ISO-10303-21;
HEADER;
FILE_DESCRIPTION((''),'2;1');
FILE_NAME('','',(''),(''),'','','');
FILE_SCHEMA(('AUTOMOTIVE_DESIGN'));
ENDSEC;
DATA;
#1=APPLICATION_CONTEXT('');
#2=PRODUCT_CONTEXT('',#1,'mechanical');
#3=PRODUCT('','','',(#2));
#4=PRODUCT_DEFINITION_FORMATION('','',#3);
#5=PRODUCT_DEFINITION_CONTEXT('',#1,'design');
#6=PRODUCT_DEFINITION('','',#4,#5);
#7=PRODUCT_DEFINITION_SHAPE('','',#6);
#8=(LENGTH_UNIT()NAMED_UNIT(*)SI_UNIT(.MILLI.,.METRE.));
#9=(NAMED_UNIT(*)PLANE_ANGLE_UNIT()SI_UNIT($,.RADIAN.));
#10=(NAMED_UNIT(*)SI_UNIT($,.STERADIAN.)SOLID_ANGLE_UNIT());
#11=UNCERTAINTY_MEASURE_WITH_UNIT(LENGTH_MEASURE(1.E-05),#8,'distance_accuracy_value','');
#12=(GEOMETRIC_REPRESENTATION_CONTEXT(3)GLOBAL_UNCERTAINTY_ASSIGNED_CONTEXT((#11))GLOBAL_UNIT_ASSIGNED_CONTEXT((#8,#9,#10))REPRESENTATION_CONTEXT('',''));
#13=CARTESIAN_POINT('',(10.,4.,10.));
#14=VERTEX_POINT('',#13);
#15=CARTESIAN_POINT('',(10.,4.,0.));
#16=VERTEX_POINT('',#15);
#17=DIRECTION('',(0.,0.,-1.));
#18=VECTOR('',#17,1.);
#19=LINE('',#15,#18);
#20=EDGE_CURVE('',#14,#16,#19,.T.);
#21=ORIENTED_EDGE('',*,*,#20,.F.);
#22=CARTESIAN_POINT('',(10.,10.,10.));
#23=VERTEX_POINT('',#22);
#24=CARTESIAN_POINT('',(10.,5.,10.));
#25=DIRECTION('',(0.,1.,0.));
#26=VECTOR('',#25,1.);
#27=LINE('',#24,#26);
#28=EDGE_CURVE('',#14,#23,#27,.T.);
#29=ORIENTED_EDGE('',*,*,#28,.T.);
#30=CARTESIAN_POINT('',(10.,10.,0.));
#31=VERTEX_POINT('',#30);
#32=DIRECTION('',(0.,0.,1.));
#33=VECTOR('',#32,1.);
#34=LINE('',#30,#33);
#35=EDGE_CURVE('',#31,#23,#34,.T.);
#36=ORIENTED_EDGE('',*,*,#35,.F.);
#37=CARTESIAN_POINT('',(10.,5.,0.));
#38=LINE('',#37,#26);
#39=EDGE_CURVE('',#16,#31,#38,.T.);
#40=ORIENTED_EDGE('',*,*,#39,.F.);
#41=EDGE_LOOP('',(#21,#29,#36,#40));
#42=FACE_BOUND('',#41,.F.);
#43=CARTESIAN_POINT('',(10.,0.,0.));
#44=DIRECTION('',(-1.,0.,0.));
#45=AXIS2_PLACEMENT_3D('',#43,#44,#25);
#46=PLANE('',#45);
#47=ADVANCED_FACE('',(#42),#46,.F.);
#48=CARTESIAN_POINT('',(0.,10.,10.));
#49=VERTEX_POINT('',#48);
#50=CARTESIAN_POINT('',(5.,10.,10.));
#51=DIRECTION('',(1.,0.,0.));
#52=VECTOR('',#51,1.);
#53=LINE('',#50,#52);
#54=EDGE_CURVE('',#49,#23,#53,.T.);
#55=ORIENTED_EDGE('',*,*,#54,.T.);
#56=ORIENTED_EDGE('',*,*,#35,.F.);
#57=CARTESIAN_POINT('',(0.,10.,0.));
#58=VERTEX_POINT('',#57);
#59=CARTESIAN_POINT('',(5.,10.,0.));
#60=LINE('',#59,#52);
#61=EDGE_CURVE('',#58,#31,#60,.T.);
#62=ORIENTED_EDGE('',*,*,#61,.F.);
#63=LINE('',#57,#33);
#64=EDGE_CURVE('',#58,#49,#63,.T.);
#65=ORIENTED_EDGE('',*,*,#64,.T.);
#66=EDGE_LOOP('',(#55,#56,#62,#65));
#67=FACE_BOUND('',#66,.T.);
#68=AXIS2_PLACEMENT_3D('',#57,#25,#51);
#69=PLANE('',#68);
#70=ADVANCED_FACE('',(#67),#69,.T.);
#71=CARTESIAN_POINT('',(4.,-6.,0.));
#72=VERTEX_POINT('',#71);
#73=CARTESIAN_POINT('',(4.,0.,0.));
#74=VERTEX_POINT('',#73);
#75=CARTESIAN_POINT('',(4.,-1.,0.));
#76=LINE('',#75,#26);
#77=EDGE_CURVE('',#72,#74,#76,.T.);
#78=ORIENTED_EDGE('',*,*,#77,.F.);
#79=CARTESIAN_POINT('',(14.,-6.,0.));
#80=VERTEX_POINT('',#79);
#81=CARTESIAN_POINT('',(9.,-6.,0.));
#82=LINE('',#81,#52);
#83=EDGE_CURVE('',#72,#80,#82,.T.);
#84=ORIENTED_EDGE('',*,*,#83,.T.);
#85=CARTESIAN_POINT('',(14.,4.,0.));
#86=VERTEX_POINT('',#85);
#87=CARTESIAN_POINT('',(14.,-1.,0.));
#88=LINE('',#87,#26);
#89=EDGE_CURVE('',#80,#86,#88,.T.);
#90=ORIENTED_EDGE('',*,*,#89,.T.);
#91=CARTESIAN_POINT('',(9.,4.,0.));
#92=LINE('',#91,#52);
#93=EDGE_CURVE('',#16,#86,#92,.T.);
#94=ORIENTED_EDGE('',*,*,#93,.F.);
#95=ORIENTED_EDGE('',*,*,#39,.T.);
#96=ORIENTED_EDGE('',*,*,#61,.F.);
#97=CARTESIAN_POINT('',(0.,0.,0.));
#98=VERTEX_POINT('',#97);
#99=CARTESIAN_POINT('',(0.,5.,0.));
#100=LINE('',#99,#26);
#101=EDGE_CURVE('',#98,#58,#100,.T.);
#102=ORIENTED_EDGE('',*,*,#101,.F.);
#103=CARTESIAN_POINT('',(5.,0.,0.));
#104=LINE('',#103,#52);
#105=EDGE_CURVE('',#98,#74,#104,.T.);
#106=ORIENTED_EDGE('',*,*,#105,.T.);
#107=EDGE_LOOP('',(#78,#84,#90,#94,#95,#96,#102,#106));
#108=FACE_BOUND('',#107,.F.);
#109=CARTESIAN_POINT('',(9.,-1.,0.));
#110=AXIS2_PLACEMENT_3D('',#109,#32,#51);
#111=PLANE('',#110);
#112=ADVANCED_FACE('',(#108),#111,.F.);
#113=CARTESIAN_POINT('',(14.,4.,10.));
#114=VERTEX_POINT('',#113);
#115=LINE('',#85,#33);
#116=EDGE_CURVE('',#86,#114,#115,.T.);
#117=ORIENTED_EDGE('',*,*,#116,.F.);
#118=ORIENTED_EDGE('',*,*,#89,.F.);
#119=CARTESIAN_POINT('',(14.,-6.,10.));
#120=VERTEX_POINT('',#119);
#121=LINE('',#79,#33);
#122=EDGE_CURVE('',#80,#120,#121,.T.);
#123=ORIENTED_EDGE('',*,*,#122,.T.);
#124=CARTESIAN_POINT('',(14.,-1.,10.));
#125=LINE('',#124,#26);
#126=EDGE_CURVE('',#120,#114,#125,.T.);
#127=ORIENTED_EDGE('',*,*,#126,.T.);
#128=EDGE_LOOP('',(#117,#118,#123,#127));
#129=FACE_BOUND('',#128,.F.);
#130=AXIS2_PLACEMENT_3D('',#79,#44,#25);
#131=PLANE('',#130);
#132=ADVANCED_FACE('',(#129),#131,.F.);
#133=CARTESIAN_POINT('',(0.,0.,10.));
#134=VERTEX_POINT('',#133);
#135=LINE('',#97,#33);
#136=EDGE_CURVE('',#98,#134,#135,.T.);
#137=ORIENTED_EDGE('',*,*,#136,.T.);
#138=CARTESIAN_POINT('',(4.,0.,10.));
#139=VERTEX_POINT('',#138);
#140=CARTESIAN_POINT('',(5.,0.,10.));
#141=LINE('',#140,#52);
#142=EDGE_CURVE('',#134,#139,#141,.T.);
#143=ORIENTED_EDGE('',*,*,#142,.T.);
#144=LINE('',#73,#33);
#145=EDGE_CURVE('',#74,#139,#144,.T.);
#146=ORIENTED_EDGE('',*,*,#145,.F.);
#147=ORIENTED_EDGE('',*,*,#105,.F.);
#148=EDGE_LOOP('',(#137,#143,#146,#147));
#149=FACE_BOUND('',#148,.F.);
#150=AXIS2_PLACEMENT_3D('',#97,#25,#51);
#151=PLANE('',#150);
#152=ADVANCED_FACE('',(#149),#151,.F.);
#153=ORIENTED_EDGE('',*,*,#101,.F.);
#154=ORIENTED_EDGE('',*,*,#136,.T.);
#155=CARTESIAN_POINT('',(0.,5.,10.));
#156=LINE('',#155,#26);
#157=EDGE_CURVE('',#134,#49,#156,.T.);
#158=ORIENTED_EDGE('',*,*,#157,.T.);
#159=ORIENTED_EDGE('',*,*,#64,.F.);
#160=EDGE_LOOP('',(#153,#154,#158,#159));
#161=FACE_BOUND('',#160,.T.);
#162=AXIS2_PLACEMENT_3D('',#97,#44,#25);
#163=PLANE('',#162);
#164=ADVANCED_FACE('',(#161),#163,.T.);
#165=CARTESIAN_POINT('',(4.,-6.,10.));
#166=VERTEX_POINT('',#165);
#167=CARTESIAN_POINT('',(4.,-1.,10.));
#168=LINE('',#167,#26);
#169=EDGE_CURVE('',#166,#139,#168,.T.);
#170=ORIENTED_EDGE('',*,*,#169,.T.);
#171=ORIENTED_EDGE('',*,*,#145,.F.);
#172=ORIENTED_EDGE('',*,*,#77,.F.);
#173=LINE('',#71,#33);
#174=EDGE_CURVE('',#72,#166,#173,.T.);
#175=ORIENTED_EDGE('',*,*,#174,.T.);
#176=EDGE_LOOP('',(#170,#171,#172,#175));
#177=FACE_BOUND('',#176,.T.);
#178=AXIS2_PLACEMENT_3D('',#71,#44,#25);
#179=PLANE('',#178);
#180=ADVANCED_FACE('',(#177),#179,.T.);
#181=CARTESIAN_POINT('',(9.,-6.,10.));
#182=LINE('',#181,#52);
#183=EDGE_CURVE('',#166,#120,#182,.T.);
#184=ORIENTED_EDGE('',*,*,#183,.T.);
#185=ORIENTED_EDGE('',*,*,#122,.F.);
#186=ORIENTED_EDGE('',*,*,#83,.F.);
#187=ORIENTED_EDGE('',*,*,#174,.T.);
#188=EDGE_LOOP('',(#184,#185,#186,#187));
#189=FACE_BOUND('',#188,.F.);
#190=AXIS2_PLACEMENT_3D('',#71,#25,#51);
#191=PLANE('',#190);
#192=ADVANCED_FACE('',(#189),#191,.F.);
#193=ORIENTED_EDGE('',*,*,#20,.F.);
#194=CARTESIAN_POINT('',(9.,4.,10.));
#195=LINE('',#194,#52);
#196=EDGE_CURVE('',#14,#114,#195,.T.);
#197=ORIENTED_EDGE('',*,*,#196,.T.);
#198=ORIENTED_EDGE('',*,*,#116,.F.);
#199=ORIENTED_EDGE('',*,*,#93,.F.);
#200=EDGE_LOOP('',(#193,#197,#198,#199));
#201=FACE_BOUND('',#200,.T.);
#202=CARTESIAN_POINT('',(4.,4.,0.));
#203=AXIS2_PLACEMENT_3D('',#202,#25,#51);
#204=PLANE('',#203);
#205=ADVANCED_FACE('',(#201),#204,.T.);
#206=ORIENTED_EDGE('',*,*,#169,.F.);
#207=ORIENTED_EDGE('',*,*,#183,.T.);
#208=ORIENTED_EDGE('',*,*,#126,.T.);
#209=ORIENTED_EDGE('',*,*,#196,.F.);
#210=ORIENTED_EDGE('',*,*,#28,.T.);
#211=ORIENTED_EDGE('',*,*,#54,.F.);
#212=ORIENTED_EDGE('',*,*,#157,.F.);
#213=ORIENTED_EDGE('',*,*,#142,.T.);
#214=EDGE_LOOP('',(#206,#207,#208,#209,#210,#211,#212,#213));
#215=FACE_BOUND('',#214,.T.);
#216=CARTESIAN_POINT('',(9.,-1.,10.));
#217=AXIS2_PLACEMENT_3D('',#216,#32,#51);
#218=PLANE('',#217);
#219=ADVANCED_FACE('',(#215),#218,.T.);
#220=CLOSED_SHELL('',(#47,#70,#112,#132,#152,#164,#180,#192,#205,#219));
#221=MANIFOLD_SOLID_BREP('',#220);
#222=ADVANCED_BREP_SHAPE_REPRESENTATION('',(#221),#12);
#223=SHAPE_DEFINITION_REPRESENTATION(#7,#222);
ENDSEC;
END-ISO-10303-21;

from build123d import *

# Parameters (mm, degrees)
BOX001_W     = 10
BOX001_H     = 10
BOX001_DEPTH = 10
BOX_W        = 10
BOX_H        = 10
BOX_DEPTH    = 10


with BuildPart() as cubo001:
    # Box001 → Box001 (new body)
    with BuildSketch(Plane(origin=(4, -6, 0), x_dir=(1, 0, 0), z_dir=(0, 0, 1))):
        with Locations((5, 5)):
            Rectangle(BOX001_W, BOX001_H)
    extrude(amount=BOX001_DEPTH)


with BuildPart() as fusion:
    # Box → Box (new body)
    with BuildSketch(Plane.XY):
        with Locations((5, 5)):
            Rectangle(BOX_W, BOX_H)
    extrude(amount=BOX_DEPTH)

    # Fusion: union Cubo001
    add(cubo001.part)


solid = fusion.part
